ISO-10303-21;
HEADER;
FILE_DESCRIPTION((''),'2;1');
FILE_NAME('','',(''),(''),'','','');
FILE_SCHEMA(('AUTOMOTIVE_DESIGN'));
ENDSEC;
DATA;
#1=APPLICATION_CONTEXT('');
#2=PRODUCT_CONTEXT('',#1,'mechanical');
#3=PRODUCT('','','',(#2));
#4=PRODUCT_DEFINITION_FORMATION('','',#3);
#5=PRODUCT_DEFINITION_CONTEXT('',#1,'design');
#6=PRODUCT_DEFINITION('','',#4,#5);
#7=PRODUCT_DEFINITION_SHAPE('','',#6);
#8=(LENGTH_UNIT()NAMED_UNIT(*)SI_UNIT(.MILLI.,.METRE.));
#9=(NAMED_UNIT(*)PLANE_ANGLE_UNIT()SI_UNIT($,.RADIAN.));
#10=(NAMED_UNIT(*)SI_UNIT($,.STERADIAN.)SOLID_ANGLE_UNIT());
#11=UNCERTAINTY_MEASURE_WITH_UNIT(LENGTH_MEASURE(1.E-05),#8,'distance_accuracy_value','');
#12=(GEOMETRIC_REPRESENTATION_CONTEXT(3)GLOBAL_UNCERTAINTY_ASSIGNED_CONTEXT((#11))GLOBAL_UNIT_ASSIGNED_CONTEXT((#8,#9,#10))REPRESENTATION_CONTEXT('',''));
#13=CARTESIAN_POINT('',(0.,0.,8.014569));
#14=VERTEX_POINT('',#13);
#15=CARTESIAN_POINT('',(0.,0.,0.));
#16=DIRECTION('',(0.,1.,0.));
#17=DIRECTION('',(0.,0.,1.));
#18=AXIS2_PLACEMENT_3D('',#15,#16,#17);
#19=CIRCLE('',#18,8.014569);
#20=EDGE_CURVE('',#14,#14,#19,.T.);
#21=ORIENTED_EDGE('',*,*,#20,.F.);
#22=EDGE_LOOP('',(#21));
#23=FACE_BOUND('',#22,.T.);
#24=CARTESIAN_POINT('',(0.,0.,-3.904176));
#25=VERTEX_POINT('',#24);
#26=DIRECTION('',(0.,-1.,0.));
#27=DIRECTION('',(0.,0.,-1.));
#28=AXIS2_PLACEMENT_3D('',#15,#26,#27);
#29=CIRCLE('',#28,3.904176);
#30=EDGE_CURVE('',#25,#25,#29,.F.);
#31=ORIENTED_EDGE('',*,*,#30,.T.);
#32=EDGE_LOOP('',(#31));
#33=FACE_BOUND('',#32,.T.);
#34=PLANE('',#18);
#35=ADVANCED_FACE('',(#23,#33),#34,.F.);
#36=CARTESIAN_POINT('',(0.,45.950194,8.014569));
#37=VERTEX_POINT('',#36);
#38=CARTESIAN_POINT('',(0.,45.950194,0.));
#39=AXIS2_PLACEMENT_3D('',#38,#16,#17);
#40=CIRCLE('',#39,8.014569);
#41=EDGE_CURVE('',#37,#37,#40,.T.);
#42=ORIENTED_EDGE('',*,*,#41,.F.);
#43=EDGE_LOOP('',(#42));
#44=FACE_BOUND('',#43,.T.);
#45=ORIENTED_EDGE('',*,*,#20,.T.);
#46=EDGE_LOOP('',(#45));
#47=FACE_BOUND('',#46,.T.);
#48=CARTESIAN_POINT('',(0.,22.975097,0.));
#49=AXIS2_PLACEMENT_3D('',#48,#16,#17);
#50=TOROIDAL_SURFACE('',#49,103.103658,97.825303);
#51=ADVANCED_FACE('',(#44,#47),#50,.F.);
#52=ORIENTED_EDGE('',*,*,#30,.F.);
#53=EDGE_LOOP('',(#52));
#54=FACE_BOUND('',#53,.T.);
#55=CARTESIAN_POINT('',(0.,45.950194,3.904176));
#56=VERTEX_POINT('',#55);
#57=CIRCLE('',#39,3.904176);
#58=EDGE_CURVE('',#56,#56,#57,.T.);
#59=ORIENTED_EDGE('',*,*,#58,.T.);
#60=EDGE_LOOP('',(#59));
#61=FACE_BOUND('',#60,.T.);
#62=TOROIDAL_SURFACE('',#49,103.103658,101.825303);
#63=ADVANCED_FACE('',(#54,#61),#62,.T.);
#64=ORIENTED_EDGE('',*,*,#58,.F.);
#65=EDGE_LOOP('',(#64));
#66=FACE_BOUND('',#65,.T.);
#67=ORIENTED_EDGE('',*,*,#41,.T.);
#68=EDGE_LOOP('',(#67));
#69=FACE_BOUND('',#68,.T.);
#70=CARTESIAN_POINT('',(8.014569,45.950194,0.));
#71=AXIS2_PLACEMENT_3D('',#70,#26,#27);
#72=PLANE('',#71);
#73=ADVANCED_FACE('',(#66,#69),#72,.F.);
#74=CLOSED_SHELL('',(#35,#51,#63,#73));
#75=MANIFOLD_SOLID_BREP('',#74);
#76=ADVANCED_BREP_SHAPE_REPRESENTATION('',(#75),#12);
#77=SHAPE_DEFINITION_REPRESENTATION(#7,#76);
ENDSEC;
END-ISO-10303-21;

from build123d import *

# Parameters (mm, degrees)
SHELL_1_T = -4


with BuildPart() as part:
    # 草图1 → 旋转1 (revolve)
    with BuildSketch(Plane.XY, mode=Mode.PRIVATE) as revolve_1_sk:
        with BuildLine():
            Line((0, 0), (8.014568765, 0))
            ThreePointArc((8.014568765, 0), (5.278354632, 22.975097125), (8.014568765, 45.95019425))
            Line((8.014568765, 45.95019425), (0, 45.95019425))
            Line((0, 45.95019425), (0, 0))
        make_face()
    revolve(revolve_1_sk.sketch.rotate(Axis((0, 45.95019425, 0), (0, -1, 0)), 90), axis=Axis((0, 45.95019425, 0), (0, -1, 0)))

    # 抽壳1
    shell_1_openings = [part.faces().sort_by_distance(p)[0] for p in [
        (0, 45.95019425, 0),
        (0, 0, 0),
    ]]
    offset(amount=SHELL_1_T, openings=shell_1_openings, kind=Kind.INTERSECTION)


solid = part.part
